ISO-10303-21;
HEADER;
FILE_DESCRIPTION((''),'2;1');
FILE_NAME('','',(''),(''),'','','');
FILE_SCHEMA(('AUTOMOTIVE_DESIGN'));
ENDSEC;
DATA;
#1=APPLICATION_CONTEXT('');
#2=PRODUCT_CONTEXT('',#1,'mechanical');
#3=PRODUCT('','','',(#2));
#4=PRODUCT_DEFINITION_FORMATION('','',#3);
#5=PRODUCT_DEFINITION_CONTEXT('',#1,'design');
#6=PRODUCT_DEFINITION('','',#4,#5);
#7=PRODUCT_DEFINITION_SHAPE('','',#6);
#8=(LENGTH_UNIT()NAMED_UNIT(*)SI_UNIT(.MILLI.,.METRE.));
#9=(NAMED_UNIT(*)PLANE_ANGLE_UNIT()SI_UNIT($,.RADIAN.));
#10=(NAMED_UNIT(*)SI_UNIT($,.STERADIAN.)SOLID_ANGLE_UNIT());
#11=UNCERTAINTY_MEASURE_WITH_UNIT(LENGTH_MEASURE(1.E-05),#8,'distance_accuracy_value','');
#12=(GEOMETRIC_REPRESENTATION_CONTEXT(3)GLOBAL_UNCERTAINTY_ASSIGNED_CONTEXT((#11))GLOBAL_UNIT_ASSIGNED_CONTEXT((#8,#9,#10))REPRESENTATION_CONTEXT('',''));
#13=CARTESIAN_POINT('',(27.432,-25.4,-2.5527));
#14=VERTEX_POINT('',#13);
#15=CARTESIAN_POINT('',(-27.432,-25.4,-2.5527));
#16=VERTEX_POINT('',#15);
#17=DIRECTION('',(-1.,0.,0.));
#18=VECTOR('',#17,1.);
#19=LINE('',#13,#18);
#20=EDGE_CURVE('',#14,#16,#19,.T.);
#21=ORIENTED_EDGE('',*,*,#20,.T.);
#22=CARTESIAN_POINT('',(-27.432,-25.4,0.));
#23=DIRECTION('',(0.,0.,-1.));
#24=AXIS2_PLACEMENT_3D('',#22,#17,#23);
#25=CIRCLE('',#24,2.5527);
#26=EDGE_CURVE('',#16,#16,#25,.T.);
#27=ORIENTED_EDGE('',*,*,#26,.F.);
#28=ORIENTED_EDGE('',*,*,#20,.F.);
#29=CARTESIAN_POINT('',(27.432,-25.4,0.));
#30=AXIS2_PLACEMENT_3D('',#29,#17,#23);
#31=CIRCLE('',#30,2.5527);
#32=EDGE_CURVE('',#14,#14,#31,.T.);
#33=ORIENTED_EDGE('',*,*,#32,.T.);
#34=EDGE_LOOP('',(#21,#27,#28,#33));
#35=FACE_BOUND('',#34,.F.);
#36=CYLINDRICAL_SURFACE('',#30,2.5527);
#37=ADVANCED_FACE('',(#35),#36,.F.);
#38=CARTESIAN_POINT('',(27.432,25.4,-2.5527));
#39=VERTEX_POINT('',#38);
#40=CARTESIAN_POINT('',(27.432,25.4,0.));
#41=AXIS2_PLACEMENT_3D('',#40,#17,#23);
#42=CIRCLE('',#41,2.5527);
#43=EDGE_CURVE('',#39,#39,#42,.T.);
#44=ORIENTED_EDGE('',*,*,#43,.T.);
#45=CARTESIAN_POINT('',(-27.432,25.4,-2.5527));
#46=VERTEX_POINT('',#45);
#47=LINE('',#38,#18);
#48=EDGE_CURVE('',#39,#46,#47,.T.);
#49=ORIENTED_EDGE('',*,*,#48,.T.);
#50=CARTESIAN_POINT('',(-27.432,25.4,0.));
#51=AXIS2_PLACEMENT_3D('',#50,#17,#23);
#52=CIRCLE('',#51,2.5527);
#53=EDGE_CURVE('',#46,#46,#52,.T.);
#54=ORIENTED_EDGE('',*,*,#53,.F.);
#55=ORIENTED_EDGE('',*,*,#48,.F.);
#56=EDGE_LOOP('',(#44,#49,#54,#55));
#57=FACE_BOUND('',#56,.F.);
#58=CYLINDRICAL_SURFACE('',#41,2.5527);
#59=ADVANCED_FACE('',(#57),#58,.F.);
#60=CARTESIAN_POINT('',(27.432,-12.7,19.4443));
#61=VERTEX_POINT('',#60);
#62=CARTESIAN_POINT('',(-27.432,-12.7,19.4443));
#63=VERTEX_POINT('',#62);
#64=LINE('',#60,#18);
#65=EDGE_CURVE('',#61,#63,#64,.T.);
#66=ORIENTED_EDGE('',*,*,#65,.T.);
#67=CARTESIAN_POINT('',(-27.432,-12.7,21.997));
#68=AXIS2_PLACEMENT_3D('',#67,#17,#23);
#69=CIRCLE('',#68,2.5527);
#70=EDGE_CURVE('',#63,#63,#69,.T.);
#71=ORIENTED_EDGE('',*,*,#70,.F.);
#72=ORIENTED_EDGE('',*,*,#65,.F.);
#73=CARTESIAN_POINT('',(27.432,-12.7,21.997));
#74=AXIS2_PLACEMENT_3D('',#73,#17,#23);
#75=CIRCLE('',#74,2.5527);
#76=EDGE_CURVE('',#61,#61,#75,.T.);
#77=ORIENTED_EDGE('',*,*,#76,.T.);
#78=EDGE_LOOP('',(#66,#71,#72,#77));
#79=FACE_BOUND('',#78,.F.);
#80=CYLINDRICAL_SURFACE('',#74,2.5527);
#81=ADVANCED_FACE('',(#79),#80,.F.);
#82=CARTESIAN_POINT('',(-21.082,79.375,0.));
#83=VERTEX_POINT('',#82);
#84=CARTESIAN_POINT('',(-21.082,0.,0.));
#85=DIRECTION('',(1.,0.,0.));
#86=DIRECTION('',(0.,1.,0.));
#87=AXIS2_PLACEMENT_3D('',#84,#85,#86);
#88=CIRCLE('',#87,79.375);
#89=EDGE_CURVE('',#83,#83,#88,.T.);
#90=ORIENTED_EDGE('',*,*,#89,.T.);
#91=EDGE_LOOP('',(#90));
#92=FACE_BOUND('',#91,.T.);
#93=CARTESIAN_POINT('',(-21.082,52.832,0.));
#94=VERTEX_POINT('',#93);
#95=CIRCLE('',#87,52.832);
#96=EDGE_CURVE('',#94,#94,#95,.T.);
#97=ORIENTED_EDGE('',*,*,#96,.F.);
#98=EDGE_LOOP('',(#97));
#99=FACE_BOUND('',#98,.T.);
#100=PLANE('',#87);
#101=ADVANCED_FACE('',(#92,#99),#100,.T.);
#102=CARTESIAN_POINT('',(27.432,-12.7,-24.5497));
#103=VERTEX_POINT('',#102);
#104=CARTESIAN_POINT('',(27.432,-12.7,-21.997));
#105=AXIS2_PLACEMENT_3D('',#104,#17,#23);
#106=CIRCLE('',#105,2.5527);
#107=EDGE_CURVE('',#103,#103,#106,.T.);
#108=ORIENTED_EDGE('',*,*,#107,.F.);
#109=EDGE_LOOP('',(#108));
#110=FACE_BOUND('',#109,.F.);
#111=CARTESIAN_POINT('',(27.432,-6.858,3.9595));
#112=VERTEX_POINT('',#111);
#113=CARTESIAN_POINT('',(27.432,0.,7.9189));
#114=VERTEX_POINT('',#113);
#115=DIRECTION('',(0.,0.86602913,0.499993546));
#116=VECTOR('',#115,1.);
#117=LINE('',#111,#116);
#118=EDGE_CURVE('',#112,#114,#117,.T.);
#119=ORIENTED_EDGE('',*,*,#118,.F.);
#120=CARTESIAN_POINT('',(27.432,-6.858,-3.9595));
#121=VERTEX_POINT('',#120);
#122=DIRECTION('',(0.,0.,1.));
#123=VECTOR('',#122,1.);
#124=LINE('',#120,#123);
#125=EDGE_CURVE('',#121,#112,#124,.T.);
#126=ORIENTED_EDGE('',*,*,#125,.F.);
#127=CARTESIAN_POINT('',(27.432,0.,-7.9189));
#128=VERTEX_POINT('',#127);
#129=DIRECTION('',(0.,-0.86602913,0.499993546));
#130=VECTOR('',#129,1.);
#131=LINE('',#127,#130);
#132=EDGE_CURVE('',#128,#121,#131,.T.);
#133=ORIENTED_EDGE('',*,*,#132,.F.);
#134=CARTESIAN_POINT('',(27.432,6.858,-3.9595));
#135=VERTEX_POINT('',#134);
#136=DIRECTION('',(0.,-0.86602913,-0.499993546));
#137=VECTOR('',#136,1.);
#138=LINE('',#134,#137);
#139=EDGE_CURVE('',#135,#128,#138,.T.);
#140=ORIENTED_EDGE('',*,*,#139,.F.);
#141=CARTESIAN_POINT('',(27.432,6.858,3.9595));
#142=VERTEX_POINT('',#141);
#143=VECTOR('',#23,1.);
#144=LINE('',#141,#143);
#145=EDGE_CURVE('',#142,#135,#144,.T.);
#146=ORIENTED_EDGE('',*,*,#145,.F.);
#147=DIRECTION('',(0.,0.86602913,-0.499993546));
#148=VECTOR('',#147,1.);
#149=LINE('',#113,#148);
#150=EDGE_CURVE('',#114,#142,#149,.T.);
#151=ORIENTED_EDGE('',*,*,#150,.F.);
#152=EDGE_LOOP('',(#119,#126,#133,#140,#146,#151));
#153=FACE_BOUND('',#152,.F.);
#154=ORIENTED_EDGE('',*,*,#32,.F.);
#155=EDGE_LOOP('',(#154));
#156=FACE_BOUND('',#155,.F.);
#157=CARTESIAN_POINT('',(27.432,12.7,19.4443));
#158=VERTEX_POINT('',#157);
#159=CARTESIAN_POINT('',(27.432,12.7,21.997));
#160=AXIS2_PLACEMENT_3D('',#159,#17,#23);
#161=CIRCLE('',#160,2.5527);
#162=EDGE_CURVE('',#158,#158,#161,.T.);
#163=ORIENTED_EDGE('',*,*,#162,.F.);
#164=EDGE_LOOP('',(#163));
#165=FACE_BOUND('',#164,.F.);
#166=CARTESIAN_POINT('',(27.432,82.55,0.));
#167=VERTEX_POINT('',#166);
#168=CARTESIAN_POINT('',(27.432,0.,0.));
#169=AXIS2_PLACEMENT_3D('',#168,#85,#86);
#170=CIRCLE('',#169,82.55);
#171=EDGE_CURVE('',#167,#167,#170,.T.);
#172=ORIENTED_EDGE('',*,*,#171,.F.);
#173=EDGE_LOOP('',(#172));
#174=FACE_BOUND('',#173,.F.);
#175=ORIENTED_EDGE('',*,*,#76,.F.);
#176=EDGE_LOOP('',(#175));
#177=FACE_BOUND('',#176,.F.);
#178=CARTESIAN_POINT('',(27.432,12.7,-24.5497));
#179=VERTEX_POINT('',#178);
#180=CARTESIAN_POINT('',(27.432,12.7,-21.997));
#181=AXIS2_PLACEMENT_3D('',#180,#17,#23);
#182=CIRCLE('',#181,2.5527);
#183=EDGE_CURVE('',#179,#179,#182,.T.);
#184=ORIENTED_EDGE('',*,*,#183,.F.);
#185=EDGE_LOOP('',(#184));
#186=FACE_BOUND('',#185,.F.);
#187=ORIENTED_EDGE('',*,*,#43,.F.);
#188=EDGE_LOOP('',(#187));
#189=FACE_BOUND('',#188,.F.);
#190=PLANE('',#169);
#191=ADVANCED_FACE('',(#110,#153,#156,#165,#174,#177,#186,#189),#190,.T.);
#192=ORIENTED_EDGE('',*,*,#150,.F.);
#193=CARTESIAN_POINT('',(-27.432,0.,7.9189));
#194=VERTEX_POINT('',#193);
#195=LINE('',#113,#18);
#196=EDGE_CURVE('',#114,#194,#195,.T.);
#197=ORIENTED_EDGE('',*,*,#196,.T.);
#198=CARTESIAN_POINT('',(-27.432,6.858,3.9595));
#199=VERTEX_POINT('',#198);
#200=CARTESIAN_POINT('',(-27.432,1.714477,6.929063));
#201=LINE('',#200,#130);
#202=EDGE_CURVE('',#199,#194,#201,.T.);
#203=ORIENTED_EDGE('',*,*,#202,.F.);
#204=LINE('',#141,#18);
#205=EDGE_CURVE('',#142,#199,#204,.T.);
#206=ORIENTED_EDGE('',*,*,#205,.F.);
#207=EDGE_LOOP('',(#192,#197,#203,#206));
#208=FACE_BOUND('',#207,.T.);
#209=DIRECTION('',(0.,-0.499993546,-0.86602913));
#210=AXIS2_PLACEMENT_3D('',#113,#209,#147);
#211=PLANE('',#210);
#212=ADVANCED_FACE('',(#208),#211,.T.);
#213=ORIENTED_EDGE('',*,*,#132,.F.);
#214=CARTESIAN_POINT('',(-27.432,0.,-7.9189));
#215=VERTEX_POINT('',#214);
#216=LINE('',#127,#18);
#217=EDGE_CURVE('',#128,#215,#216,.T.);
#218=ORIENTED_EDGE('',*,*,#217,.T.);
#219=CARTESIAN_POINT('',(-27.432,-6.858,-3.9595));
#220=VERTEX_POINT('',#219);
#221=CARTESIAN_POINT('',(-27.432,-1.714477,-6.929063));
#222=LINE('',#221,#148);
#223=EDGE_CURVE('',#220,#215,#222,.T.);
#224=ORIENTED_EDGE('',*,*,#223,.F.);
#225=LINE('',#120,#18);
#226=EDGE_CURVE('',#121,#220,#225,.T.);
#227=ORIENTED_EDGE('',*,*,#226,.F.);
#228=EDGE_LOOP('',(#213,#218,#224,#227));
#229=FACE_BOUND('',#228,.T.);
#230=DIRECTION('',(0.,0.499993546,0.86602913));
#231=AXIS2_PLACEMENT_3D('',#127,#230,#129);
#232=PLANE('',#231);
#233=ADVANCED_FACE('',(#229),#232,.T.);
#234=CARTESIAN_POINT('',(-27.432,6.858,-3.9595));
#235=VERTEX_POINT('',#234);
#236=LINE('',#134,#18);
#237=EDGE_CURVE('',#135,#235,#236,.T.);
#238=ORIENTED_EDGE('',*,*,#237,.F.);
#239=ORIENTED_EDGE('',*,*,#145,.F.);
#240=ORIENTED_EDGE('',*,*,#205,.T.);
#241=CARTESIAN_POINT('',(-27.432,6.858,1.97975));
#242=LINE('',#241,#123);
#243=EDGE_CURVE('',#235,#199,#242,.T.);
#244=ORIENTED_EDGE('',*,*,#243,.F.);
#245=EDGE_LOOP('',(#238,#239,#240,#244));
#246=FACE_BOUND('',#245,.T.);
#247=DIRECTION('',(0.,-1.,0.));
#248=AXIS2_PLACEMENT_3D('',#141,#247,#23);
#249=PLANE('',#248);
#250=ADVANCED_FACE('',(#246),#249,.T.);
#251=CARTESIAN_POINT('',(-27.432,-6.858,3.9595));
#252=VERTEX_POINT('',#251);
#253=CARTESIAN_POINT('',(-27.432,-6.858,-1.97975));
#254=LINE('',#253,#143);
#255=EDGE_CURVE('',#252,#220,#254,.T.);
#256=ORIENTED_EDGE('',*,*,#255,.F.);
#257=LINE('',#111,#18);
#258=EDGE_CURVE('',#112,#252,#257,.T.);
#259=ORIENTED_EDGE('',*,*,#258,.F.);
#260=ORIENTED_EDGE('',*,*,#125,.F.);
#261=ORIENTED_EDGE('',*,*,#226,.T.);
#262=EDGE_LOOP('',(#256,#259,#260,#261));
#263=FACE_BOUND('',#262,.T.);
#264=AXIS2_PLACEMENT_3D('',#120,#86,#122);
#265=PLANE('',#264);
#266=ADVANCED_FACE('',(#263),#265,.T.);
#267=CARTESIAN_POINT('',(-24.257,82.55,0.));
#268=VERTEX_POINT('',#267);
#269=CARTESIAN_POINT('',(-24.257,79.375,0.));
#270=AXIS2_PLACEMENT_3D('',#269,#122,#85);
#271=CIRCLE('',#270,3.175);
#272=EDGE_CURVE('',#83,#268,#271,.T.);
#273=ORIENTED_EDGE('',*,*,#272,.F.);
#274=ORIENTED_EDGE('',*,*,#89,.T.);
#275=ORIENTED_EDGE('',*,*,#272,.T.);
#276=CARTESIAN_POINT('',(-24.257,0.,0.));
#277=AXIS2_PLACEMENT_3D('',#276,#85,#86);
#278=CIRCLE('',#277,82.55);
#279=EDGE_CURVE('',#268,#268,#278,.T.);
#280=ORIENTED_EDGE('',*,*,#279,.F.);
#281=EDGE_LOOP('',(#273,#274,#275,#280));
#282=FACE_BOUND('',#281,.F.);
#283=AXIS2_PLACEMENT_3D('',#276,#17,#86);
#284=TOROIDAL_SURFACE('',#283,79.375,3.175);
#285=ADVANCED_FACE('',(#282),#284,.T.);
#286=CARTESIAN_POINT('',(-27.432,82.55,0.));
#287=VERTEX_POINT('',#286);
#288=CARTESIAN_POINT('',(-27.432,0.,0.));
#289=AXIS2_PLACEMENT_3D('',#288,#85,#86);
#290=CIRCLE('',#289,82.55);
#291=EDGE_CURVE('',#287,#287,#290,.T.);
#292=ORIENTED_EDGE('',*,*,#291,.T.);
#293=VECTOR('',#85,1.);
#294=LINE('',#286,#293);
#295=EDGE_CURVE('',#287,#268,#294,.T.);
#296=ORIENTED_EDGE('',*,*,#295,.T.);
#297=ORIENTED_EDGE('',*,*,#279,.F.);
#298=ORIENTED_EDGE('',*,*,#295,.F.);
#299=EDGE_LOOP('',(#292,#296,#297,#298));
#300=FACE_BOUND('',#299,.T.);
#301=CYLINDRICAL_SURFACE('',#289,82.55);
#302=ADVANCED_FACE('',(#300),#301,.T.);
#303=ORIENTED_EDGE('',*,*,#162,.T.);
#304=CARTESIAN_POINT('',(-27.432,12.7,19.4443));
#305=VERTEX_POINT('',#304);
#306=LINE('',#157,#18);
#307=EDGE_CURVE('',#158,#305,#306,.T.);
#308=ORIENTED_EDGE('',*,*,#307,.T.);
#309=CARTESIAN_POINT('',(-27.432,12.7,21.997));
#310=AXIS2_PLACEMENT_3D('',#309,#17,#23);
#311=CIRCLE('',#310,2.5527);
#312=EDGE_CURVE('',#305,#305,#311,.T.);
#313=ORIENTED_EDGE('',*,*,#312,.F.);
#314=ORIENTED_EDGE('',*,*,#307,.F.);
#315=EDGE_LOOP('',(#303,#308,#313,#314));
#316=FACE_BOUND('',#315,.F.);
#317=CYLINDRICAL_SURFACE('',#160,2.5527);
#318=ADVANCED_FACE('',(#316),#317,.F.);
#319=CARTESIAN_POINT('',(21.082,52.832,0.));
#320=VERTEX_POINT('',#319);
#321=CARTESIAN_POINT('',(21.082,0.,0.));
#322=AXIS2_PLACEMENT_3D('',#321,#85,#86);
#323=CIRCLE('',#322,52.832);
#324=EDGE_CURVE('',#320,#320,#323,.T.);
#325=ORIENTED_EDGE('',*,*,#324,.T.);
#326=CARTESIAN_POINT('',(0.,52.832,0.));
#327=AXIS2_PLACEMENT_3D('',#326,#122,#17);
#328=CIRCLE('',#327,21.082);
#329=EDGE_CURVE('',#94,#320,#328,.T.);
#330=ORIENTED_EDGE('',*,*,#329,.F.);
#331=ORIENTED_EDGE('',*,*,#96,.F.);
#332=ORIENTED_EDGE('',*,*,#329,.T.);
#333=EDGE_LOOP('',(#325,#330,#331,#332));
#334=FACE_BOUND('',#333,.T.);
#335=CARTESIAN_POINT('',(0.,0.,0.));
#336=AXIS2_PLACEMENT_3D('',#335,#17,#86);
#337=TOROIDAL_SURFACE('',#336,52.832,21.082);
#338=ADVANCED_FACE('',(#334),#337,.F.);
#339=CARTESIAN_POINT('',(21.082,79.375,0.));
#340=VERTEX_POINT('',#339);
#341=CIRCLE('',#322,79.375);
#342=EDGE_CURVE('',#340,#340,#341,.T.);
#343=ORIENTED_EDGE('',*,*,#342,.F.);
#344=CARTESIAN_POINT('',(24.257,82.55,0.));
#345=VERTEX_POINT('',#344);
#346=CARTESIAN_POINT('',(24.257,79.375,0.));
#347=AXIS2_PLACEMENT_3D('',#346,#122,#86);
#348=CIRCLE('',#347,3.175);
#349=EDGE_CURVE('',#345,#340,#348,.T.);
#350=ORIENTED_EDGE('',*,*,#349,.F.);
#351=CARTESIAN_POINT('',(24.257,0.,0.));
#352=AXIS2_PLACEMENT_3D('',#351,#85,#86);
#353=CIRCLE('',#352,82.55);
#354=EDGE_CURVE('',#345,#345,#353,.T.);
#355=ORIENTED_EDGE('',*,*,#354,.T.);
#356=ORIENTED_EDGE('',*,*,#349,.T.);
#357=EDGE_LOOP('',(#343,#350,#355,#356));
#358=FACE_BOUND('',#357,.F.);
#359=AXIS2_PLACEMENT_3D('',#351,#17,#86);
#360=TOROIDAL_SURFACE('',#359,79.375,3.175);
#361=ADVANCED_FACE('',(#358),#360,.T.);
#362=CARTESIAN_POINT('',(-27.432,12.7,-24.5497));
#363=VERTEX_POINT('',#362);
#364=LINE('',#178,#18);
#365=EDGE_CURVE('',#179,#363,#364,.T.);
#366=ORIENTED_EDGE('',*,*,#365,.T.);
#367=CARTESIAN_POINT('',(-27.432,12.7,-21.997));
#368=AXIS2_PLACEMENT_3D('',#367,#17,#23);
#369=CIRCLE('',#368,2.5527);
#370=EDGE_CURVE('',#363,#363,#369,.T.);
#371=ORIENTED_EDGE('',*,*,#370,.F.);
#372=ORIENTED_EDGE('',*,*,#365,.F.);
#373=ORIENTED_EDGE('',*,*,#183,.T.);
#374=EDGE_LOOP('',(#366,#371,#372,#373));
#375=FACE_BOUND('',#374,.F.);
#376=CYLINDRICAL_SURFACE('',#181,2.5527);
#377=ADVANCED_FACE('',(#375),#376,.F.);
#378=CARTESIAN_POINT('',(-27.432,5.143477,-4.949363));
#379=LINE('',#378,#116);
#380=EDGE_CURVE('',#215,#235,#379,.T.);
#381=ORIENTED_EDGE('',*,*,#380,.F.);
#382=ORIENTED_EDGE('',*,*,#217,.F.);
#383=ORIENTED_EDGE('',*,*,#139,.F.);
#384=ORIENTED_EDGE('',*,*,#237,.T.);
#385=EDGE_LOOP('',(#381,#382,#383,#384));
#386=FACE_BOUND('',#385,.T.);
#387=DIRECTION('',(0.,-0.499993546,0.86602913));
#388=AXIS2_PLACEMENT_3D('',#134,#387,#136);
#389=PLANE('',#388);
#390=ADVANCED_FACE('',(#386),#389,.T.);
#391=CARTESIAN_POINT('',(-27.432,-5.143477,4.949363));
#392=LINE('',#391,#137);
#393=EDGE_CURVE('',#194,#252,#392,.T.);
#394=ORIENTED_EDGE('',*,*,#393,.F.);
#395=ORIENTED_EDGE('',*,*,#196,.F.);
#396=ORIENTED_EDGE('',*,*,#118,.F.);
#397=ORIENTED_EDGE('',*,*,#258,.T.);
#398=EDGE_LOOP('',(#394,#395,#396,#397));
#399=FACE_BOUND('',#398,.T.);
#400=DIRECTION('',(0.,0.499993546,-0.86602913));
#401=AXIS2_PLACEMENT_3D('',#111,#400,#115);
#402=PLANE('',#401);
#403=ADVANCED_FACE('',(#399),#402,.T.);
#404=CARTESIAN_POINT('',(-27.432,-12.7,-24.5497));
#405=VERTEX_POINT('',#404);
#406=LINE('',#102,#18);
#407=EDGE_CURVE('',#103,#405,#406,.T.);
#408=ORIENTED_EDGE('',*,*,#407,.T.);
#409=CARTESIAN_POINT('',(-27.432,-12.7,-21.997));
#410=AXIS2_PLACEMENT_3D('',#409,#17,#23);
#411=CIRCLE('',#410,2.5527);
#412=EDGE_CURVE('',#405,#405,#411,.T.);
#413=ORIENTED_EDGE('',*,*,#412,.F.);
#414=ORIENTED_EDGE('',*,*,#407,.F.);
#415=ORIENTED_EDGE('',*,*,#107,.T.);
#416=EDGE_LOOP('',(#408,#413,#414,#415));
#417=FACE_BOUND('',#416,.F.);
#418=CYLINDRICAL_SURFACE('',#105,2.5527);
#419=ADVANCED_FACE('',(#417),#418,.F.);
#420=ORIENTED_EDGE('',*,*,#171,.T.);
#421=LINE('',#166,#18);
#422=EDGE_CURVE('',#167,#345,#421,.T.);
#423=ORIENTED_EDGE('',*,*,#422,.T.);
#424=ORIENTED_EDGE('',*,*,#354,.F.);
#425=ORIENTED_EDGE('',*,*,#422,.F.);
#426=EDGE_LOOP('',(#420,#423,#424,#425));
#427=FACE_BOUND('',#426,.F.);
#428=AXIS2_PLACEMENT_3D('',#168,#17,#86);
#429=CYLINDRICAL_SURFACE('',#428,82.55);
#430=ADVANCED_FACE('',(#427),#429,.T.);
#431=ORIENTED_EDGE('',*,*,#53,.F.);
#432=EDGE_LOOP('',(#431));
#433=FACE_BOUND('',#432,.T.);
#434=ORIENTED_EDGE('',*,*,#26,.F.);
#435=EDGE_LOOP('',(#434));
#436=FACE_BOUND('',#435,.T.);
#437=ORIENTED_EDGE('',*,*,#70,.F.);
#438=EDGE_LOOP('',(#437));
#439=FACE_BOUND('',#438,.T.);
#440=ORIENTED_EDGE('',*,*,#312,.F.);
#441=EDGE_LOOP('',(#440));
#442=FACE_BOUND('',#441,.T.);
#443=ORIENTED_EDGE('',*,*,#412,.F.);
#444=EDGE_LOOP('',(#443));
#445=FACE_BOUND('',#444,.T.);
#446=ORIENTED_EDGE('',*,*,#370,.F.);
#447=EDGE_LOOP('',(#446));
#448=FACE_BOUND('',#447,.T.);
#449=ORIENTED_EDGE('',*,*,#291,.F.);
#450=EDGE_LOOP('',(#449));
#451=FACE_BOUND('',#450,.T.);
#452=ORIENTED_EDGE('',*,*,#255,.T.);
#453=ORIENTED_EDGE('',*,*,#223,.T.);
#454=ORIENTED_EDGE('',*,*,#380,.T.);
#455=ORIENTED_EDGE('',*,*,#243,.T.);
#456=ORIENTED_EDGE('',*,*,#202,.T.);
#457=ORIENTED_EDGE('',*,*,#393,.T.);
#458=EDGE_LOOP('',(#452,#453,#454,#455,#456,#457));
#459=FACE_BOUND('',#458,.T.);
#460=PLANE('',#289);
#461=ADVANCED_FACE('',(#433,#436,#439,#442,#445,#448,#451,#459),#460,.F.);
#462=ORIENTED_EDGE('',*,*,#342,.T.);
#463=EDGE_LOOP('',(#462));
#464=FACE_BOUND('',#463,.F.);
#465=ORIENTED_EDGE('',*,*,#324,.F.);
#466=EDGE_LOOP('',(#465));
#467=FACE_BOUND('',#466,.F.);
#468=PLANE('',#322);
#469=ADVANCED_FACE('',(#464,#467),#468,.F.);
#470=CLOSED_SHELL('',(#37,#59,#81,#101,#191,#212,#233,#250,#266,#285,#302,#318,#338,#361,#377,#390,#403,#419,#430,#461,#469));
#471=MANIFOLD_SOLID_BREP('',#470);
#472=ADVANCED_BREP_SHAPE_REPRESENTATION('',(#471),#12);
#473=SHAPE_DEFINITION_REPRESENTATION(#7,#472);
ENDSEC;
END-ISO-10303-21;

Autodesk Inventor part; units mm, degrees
ref_plane "YZ Plane" through (0, 0, 0) normal (1, 0, 0) x (0, 1, 0)
ref_plane "XZ Plane" through (0, 0, 0) normal (0, 1, 0) x (-1, 0, 0)
ref_plane "XY Plane" through (0, 0, 0) normal (0, 0, 1) x (1, 0, 0)
sketch "Sketch1" plane through (0, 0, 0) normal (0, 0, 1) x (1, 0, 0)
  arc A0 (-21.082, 52.832) -> (21.082, 52.832) centre (0, 52.832) ccw
  line L0 (-21.082, 52.832) -> (-21.082, 0)
  line L1 (21.082, 52.832) -> (21.082, 0)
  line L2 (-21.082, 0) -> (21.082, 0)
  line L3 (-21.082, 0) -> (-27.432, 0)
  line L4 (-27.432, 0) -> (-27.432, 82.55)
  line L5 (-27.432, 82.55) -> (-24.257, 82.55)
  line L6 (-21.082, 79.375) -> (-21.082, 0)
  line L7 (21.082, 0) -> (27.432, 0)
  line L8 (27.432, 0) -> (27.432, 82.55)
  line L9 (27.432, 82.55) -> (24.257, 82.55)
  line L10 (21.082, 79.375) -> (21.082, 0)
  line L11 (0, 0) -> (-27.432, 0) construction
  arc A1 (24.257, 82.55) -> (21.082, 79.375) centre (24.257, 79.375) ccw
  arc A2 (-21.082, 79.375) -> (-24.257, 82.55) centre (-24.257, 79.375) ccw
  point P0 (-21.082, 82.55)
  point P1 (21.082, 82.55)
  dimension "diameterOfPipe" = 42.164
  dimension "d6" = 6.35
  dimension "d8" = 6.35
  dimension "d27" = 82.55
  dimension "d28" = 52.832
  dimension "d29" = 31.75
  dimension "d30" = 3.175
revolve "Revolution1" add sketch "Sketch1" angle 360 about axis through (-21.082, 0, 0) along (1, 0, 0)
sketch "Sketch3" plane through (27.432, 0, 0) normal (1, 0, 0) x (0, 0, -1)
  line L0 (7.9189, 0) -> (3.9595, -6.858)
  line L1 (3.9595, -6.858) -> (-3.9595, -6.858)
  line L2 (-3.9595, -6.858) -> (-7.9189, 0)
  line L3 (-7.9189, 0) -> (-3.9595, 6.858)
  line L4 (-3.9595, 6.858) -> (3.9595, 6.858)
  line L5 (3.9595, 6.858) -> (7.9189, 0)
  point P0 (0, 0)
  point P1 (0, 0)
  dimension "hexWidth" = 13.716
extrude "Extrusion2" cut sketch "Sketch3" against normal through all
sketch "Sketch4" plane through (27.432, 0, 0) normal (1, 0, 0) x (0, 0, -1)
  point P0 (0, 0)
  point P1 (0, 25.4)
  point P2 (-21.997, 12.7)
  point P3 (-21.997, -12.7)
  point P4 (0, -25.4)
  point P5 (21.997, -12.7)
  point P6 (21.997, 12.7)
  dimension "d14" = 25.4
  dimension "d17" = 360
hole "Hole1" at (27.432, 25.4, 0) at (27.432, 12.7, 21.997) at (27.432, -12.7, 21.997) at (27.432, -25.4, 0) at (27.432, -12.7, -21.997) at (27.432, 12.7, -21.997) direction (-1, 0, 0) diameter 5.1054 end through all clearance for "Flat Head Machine Screw (82)" size "#10" standard "Ansi Unified Screw Threads"
equation "\"d6\" = widthOfOutside"
equation "\"d8\" = widthOfOutside"
equation "\"widthOfOutside\" = 6.35"
properties part number "WheelForHangingAndMoving" material "PBT Plastic"
